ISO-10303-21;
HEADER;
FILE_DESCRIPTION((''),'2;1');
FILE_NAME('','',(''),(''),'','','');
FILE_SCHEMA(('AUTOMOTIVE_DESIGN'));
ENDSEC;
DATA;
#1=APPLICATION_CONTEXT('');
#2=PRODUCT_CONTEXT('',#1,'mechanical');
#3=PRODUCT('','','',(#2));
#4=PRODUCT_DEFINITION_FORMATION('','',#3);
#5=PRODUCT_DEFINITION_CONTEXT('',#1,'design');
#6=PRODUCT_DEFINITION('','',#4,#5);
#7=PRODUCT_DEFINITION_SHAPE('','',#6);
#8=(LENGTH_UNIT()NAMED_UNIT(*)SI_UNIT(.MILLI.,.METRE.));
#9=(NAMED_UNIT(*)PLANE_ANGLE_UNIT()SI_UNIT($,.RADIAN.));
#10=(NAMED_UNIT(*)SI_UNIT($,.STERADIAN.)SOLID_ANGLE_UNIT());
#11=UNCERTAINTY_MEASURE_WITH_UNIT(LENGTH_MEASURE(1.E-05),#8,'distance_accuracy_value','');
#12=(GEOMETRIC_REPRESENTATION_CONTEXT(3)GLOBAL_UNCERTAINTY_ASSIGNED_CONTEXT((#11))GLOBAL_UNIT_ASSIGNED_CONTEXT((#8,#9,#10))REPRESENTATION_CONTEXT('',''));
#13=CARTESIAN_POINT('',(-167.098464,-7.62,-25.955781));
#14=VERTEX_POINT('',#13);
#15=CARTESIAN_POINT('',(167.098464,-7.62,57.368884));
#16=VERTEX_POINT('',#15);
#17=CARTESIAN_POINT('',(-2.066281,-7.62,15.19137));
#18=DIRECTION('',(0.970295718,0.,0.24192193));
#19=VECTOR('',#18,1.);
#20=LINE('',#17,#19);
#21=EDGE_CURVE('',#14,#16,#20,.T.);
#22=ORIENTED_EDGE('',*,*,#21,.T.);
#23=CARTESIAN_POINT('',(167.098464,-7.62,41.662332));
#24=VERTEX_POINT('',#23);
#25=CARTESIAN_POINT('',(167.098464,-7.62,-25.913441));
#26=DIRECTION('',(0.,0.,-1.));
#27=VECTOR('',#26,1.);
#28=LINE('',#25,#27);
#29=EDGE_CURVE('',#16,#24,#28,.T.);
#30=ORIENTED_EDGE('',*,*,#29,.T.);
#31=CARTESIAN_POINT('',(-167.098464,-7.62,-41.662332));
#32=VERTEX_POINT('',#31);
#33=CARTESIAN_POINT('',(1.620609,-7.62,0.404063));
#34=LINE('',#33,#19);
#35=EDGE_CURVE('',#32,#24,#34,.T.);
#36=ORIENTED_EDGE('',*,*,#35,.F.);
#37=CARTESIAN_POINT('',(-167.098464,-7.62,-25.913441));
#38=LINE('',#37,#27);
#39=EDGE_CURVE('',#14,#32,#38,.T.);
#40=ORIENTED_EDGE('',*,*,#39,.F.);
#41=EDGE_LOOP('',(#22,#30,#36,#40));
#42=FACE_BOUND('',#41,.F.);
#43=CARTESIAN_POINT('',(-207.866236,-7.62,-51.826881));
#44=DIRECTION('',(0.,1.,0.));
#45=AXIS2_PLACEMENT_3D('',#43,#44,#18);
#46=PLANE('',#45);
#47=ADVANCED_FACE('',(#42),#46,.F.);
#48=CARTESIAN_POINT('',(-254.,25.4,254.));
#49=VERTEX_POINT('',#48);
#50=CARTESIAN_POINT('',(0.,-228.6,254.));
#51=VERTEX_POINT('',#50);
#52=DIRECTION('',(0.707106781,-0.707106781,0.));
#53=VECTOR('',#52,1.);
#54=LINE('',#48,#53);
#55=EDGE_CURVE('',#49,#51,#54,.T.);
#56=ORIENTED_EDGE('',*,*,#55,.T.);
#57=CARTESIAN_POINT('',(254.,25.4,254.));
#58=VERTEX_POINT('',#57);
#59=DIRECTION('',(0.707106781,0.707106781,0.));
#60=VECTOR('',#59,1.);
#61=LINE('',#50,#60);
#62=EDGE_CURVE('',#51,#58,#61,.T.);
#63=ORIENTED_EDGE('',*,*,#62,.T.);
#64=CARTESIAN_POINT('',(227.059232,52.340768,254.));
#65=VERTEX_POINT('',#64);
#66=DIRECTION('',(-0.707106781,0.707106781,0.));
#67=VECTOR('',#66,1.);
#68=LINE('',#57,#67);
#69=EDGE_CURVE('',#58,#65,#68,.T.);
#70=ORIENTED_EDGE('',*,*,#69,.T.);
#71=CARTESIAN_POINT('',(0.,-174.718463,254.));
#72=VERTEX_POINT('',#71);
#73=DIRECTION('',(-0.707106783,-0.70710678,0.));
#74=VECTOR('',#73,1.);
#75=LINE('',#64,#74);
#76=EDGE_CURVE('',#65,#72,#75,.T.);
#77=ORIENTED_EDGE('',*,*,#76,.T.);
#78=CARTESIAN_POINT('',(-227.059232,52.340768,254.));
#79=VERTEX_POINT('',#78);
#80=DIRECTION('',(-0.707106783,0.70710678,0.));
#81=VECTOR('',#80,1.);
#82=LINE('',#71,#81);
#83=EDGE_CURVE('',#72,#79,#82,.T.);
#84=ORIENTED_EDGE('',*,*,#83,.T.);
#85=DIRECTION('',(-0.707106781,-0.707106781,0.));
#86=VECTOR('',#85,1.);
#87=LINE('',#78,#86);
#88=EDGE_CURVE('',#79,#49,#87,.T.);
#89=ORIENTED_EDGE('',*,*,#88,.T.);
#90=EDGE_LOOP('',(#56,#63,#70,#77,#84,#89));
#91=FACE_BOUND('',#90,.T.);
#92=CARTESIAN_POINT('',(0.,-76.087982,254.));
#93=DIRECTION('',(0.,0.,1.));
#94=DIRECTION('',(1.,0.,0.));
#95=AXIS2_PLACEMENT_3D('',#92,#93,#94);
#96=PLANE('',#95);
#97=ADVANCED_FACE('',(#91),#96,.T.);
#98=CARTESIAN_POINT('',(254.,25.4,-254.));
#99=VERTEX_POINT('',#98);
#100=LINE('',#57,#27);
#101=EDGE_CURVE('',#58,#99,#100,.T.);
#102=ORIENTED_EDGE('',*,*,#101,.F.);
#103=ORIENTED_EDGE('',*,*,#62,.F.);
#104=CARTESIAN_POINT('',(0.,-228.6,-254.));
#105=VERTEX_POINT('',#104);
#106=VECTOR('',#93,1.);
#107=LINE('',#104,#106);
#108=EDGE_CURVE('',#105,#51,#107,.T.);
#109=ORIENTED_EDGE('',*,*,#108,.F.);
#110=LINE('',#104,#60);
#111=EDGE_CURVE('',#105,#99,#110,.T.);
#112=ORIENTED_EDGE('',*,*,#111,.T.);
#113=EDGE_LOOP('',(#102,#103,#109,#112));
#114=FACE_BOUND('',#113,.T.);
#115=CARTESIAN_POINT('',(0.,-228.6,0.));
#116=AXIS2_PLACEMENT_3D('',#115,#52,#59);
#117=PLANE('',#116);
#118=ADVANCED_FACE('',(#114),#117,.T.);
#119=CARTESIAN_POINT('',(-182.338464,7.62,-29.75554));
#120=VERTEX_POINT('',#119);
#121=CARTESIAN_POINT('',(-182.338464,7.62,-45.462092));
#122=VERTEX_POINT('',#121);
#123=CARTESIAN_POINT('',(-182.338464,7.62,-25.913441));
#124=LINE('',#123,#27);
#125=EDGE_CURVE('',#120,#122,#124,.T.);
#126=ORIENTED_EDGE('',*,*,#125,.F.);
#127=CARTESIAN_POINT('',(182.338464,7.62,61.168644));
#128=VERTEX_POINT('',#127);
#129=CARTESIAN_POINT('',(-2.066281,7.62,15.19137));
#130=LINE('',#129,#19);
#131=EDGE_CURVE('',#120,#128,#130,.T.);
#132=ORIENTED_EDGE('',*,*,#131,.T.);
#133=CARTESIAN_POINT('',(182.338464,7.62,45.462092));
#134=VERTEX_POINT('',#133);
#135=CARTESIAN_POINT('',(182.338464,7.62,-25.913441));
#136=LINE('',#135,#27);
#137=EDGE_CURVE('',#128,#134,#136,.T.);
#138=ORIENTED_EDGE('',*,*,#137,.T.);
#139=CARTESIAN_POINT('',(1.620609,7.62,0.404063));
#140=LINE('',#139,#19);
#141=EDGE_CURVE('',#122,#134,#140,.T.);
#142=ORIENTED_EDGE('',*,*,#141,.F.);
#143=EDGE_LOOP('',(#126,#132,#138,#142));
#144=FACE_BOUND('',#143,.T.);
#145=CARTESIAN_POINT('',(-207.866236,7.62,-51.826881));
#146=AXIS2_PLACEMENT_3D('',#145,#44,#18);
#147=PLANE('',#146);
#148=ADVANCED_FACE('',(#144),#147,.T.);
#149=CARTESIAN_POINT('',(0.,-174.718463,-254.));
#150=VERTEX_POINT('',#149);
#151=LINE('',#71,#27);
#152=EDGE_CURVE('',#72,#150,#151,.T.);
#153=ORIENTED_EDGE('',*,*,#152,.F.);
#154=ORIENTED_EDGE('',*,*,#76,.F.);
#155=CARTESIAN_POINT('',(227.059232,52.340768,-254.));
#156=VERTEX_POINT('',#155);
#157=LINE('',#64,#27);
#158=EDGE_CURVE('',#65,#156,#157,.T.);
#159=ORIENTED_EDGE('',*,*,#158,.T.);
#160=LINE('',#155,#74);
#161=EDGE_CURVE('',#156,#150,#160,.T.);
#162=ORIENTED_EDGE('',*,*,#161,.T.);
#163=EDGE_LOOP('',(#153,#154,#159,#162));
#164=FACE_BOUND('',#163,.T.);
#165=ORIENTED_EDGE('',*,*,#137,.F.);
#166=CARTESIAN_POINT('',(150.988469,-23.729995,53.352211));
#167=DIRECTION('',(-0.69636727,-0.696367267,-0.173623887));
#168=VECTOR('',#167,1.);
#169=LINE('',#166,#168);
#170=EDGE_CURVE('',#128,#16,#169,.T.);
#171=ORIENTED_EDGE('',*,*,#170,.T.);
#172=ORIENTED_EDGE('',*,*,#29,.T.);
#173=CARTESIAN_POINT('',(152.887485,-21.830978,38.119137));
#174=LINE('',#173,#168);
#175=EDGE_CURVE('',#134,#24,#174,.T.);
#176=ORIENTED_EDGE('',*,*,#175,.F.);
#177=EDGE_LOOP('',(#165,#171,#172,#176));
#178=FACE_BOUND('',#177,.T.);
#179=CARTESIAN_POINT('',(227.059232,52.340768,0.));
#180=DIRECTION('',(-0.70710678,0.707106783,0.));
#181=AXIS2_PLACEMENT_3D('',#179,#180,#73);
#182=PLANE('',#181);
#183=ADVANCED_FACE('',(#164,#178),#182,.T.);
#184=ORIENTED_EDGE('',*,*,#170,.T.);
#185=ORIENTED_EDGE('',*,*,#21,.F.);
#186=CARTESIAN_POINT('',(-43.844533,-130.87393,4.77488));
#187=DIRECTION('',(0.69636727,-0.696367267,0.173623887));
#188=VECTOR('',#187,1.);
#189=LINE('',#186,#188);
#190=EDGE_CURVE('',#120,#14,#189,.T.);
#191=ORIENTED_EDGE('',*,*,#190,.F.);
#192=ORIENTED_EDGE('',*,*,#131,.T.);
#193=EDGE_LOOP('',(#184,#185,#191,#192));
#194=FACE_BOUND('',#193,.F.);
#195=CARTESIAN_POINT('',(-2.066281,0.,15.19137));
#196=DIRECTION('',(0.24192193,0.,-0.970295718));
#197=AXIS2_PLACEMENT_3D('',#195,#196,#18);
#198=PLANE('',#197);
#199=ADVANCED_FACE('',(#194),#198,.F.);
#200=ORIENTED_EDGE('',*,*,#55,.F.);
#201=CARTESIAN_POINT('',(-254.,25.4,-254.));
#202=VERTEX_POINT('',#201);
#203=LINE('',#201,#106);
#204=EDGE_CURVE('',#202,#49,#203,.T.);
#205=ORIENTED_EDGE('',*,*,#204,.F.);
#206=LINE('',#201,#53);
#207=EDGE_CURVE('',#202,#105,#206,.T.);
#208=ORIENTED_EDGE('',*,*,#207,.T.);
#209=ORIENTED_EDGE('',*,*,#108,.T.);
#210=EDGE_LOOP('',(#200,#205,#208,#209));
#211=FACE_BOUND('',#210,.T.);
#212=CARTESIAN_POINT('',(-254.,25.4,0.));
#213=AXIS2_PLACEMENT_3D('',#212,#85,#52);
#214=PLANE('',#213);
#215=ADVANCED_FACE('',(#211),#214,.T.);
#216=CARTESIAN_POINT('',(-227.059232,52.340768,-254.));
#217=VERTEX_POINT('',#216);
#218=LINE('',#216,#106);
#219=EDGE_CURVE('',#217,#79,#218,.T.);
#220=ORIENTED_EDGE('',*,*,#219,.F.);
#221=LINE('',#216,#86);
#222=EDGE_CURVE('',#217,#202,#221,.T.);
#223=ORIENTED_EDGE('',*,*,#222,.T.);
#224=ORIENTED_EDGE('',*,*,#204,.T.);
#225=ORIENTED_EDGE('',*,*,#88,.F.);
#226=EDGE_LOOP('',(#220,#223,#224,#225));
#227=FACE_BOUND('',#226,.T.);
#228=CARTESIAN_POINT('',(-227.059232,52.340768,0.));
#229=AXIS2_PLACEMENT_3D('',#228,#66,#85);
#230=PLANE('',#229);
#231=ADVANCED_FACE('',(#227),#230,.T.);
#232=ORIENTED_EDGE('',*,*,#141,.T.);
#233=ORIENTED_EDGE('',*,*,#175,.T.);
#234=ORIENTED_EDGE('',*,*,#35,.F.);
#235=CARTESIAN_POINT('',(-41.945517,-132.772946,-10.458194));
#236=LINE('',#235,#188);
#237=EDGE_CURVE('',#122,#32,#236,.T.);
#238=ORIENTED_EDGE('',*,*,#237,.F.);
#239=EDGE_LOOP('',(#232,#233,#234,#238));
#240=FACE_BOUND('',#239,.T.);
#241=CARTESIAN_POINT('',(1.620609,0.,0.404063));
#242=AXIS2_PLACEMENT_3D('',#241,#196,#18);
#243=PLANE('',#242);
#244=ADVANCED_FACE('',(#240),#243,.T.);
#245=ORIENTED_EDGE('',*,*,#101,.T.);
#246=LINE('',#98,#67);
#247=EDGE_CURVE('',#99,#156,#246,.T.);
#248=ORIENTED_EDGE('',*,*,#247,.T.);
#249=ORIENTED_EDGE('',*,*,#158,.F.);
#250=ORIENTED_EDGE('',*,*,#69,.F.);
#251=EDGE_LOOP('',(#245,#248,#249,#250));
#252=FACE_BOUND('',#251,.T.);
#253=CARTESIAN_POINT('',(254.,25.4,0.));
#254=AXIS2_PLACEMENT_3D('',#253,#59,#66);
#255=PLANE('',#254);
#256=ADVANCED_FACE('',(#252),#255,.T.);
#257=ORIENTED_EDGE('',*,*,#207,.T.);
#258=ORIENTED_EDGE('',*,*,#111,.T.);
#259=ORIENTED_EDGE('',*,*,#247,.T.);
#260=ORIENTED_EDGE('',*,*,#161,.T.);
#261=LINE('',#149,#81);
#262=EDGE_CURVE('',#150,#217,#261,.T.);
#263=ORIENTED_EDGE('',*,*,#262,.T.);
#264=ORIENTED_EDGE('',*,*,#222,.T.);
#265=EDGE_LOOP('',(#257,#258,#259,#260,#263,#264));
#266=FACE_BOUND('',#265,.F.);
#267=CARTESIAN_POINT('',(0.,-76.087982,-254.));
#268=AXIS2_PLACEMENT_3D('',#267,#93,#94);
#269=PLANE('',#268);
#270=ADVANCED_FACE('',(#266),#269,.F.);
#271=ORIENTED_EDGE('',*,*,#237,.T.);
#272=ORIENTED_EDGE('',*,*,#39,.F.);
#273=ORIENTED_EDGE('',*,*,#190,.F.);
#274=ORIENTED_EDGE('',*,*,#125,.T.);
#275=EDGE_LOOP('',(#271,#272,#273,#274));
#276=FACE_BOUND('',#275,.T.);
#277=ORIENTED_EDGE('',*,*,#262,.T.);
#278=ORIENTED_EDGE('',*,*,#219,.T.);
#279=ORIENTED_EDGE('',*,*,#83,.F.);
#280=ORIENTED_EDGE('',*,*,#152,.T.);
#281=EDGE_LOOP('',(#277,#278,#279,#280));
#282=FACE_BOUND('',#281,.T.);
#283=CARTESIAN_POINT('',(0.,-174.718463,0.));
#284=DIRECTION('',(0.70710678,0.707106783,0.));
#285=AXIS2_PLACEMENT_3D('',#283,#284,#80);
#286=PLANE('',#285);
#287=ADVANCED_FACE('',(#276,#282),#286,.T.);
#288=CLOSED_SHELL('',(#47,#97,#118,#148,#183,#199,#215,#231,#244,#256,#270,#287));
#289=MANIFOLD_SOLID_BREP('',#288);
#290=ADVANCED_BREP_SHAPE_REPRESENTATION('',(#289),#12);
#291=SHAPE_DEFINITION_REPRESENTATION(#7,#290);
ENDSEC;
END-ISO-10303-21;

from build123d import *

# Parameters (mm, degrees)
F2_W     = 431.8
F2_H     = 15.24
F3_DEPTH = 15.24
F5_DEPTH = 51.827874
F6_DEPTH = 67.423307
F7_DEPTH = 254


with BuildPart() as f3:
    # F2 (on face) → F3 (new body)
    with BuildSketch(Plane(origin=(0, 0, 0), x_dir=(0.970296, 0, 0.241922), z_dir=(0.241922, 0, -0.970296))):
        with Locations((1.670222, 0)):
            Rectangle(F2_W, F2_H)
    extrude(amount=-F3_DEPTH)

    # F4 (on Top) → F5 (cut, through all)
    with BuildSketch(Plane.XY):
        Polygon((0, -174.718463), (-227.059232, 52.340768), (-254, 25.4), (0, -228.6), (254, 25.4), (227.059232, 52.340768), align=None)
    extrude(amount=-F5_DEPTH, mode=Mode.SUBTRACT)

    # F4 (on Top) → F6 (cut, through all)
    with BuildSketch(Plane.XY):
        Polygon((0, -174.718463), (-227.059232, 52.340768), (-254, 25.4), (0, -228.6), (254, 25.4), (227.059232, 52.340768), align=None)
    extrude(amount=F6_DEPTH, mode=Mode.SUBTRACT)

    # F4 (on Top) → F7 (join, symmetric)
    with BuildSketch(Plane.XY):
        Polygon((0, -174.718463), (-227.059232, 52.340768), (-254, 25.4), (0, -228.6), (254, 25.4), (227.059232, 52.340768), align=None)
    extrude(amount=F7_DEPTH, both=True)


solid = f3.part
